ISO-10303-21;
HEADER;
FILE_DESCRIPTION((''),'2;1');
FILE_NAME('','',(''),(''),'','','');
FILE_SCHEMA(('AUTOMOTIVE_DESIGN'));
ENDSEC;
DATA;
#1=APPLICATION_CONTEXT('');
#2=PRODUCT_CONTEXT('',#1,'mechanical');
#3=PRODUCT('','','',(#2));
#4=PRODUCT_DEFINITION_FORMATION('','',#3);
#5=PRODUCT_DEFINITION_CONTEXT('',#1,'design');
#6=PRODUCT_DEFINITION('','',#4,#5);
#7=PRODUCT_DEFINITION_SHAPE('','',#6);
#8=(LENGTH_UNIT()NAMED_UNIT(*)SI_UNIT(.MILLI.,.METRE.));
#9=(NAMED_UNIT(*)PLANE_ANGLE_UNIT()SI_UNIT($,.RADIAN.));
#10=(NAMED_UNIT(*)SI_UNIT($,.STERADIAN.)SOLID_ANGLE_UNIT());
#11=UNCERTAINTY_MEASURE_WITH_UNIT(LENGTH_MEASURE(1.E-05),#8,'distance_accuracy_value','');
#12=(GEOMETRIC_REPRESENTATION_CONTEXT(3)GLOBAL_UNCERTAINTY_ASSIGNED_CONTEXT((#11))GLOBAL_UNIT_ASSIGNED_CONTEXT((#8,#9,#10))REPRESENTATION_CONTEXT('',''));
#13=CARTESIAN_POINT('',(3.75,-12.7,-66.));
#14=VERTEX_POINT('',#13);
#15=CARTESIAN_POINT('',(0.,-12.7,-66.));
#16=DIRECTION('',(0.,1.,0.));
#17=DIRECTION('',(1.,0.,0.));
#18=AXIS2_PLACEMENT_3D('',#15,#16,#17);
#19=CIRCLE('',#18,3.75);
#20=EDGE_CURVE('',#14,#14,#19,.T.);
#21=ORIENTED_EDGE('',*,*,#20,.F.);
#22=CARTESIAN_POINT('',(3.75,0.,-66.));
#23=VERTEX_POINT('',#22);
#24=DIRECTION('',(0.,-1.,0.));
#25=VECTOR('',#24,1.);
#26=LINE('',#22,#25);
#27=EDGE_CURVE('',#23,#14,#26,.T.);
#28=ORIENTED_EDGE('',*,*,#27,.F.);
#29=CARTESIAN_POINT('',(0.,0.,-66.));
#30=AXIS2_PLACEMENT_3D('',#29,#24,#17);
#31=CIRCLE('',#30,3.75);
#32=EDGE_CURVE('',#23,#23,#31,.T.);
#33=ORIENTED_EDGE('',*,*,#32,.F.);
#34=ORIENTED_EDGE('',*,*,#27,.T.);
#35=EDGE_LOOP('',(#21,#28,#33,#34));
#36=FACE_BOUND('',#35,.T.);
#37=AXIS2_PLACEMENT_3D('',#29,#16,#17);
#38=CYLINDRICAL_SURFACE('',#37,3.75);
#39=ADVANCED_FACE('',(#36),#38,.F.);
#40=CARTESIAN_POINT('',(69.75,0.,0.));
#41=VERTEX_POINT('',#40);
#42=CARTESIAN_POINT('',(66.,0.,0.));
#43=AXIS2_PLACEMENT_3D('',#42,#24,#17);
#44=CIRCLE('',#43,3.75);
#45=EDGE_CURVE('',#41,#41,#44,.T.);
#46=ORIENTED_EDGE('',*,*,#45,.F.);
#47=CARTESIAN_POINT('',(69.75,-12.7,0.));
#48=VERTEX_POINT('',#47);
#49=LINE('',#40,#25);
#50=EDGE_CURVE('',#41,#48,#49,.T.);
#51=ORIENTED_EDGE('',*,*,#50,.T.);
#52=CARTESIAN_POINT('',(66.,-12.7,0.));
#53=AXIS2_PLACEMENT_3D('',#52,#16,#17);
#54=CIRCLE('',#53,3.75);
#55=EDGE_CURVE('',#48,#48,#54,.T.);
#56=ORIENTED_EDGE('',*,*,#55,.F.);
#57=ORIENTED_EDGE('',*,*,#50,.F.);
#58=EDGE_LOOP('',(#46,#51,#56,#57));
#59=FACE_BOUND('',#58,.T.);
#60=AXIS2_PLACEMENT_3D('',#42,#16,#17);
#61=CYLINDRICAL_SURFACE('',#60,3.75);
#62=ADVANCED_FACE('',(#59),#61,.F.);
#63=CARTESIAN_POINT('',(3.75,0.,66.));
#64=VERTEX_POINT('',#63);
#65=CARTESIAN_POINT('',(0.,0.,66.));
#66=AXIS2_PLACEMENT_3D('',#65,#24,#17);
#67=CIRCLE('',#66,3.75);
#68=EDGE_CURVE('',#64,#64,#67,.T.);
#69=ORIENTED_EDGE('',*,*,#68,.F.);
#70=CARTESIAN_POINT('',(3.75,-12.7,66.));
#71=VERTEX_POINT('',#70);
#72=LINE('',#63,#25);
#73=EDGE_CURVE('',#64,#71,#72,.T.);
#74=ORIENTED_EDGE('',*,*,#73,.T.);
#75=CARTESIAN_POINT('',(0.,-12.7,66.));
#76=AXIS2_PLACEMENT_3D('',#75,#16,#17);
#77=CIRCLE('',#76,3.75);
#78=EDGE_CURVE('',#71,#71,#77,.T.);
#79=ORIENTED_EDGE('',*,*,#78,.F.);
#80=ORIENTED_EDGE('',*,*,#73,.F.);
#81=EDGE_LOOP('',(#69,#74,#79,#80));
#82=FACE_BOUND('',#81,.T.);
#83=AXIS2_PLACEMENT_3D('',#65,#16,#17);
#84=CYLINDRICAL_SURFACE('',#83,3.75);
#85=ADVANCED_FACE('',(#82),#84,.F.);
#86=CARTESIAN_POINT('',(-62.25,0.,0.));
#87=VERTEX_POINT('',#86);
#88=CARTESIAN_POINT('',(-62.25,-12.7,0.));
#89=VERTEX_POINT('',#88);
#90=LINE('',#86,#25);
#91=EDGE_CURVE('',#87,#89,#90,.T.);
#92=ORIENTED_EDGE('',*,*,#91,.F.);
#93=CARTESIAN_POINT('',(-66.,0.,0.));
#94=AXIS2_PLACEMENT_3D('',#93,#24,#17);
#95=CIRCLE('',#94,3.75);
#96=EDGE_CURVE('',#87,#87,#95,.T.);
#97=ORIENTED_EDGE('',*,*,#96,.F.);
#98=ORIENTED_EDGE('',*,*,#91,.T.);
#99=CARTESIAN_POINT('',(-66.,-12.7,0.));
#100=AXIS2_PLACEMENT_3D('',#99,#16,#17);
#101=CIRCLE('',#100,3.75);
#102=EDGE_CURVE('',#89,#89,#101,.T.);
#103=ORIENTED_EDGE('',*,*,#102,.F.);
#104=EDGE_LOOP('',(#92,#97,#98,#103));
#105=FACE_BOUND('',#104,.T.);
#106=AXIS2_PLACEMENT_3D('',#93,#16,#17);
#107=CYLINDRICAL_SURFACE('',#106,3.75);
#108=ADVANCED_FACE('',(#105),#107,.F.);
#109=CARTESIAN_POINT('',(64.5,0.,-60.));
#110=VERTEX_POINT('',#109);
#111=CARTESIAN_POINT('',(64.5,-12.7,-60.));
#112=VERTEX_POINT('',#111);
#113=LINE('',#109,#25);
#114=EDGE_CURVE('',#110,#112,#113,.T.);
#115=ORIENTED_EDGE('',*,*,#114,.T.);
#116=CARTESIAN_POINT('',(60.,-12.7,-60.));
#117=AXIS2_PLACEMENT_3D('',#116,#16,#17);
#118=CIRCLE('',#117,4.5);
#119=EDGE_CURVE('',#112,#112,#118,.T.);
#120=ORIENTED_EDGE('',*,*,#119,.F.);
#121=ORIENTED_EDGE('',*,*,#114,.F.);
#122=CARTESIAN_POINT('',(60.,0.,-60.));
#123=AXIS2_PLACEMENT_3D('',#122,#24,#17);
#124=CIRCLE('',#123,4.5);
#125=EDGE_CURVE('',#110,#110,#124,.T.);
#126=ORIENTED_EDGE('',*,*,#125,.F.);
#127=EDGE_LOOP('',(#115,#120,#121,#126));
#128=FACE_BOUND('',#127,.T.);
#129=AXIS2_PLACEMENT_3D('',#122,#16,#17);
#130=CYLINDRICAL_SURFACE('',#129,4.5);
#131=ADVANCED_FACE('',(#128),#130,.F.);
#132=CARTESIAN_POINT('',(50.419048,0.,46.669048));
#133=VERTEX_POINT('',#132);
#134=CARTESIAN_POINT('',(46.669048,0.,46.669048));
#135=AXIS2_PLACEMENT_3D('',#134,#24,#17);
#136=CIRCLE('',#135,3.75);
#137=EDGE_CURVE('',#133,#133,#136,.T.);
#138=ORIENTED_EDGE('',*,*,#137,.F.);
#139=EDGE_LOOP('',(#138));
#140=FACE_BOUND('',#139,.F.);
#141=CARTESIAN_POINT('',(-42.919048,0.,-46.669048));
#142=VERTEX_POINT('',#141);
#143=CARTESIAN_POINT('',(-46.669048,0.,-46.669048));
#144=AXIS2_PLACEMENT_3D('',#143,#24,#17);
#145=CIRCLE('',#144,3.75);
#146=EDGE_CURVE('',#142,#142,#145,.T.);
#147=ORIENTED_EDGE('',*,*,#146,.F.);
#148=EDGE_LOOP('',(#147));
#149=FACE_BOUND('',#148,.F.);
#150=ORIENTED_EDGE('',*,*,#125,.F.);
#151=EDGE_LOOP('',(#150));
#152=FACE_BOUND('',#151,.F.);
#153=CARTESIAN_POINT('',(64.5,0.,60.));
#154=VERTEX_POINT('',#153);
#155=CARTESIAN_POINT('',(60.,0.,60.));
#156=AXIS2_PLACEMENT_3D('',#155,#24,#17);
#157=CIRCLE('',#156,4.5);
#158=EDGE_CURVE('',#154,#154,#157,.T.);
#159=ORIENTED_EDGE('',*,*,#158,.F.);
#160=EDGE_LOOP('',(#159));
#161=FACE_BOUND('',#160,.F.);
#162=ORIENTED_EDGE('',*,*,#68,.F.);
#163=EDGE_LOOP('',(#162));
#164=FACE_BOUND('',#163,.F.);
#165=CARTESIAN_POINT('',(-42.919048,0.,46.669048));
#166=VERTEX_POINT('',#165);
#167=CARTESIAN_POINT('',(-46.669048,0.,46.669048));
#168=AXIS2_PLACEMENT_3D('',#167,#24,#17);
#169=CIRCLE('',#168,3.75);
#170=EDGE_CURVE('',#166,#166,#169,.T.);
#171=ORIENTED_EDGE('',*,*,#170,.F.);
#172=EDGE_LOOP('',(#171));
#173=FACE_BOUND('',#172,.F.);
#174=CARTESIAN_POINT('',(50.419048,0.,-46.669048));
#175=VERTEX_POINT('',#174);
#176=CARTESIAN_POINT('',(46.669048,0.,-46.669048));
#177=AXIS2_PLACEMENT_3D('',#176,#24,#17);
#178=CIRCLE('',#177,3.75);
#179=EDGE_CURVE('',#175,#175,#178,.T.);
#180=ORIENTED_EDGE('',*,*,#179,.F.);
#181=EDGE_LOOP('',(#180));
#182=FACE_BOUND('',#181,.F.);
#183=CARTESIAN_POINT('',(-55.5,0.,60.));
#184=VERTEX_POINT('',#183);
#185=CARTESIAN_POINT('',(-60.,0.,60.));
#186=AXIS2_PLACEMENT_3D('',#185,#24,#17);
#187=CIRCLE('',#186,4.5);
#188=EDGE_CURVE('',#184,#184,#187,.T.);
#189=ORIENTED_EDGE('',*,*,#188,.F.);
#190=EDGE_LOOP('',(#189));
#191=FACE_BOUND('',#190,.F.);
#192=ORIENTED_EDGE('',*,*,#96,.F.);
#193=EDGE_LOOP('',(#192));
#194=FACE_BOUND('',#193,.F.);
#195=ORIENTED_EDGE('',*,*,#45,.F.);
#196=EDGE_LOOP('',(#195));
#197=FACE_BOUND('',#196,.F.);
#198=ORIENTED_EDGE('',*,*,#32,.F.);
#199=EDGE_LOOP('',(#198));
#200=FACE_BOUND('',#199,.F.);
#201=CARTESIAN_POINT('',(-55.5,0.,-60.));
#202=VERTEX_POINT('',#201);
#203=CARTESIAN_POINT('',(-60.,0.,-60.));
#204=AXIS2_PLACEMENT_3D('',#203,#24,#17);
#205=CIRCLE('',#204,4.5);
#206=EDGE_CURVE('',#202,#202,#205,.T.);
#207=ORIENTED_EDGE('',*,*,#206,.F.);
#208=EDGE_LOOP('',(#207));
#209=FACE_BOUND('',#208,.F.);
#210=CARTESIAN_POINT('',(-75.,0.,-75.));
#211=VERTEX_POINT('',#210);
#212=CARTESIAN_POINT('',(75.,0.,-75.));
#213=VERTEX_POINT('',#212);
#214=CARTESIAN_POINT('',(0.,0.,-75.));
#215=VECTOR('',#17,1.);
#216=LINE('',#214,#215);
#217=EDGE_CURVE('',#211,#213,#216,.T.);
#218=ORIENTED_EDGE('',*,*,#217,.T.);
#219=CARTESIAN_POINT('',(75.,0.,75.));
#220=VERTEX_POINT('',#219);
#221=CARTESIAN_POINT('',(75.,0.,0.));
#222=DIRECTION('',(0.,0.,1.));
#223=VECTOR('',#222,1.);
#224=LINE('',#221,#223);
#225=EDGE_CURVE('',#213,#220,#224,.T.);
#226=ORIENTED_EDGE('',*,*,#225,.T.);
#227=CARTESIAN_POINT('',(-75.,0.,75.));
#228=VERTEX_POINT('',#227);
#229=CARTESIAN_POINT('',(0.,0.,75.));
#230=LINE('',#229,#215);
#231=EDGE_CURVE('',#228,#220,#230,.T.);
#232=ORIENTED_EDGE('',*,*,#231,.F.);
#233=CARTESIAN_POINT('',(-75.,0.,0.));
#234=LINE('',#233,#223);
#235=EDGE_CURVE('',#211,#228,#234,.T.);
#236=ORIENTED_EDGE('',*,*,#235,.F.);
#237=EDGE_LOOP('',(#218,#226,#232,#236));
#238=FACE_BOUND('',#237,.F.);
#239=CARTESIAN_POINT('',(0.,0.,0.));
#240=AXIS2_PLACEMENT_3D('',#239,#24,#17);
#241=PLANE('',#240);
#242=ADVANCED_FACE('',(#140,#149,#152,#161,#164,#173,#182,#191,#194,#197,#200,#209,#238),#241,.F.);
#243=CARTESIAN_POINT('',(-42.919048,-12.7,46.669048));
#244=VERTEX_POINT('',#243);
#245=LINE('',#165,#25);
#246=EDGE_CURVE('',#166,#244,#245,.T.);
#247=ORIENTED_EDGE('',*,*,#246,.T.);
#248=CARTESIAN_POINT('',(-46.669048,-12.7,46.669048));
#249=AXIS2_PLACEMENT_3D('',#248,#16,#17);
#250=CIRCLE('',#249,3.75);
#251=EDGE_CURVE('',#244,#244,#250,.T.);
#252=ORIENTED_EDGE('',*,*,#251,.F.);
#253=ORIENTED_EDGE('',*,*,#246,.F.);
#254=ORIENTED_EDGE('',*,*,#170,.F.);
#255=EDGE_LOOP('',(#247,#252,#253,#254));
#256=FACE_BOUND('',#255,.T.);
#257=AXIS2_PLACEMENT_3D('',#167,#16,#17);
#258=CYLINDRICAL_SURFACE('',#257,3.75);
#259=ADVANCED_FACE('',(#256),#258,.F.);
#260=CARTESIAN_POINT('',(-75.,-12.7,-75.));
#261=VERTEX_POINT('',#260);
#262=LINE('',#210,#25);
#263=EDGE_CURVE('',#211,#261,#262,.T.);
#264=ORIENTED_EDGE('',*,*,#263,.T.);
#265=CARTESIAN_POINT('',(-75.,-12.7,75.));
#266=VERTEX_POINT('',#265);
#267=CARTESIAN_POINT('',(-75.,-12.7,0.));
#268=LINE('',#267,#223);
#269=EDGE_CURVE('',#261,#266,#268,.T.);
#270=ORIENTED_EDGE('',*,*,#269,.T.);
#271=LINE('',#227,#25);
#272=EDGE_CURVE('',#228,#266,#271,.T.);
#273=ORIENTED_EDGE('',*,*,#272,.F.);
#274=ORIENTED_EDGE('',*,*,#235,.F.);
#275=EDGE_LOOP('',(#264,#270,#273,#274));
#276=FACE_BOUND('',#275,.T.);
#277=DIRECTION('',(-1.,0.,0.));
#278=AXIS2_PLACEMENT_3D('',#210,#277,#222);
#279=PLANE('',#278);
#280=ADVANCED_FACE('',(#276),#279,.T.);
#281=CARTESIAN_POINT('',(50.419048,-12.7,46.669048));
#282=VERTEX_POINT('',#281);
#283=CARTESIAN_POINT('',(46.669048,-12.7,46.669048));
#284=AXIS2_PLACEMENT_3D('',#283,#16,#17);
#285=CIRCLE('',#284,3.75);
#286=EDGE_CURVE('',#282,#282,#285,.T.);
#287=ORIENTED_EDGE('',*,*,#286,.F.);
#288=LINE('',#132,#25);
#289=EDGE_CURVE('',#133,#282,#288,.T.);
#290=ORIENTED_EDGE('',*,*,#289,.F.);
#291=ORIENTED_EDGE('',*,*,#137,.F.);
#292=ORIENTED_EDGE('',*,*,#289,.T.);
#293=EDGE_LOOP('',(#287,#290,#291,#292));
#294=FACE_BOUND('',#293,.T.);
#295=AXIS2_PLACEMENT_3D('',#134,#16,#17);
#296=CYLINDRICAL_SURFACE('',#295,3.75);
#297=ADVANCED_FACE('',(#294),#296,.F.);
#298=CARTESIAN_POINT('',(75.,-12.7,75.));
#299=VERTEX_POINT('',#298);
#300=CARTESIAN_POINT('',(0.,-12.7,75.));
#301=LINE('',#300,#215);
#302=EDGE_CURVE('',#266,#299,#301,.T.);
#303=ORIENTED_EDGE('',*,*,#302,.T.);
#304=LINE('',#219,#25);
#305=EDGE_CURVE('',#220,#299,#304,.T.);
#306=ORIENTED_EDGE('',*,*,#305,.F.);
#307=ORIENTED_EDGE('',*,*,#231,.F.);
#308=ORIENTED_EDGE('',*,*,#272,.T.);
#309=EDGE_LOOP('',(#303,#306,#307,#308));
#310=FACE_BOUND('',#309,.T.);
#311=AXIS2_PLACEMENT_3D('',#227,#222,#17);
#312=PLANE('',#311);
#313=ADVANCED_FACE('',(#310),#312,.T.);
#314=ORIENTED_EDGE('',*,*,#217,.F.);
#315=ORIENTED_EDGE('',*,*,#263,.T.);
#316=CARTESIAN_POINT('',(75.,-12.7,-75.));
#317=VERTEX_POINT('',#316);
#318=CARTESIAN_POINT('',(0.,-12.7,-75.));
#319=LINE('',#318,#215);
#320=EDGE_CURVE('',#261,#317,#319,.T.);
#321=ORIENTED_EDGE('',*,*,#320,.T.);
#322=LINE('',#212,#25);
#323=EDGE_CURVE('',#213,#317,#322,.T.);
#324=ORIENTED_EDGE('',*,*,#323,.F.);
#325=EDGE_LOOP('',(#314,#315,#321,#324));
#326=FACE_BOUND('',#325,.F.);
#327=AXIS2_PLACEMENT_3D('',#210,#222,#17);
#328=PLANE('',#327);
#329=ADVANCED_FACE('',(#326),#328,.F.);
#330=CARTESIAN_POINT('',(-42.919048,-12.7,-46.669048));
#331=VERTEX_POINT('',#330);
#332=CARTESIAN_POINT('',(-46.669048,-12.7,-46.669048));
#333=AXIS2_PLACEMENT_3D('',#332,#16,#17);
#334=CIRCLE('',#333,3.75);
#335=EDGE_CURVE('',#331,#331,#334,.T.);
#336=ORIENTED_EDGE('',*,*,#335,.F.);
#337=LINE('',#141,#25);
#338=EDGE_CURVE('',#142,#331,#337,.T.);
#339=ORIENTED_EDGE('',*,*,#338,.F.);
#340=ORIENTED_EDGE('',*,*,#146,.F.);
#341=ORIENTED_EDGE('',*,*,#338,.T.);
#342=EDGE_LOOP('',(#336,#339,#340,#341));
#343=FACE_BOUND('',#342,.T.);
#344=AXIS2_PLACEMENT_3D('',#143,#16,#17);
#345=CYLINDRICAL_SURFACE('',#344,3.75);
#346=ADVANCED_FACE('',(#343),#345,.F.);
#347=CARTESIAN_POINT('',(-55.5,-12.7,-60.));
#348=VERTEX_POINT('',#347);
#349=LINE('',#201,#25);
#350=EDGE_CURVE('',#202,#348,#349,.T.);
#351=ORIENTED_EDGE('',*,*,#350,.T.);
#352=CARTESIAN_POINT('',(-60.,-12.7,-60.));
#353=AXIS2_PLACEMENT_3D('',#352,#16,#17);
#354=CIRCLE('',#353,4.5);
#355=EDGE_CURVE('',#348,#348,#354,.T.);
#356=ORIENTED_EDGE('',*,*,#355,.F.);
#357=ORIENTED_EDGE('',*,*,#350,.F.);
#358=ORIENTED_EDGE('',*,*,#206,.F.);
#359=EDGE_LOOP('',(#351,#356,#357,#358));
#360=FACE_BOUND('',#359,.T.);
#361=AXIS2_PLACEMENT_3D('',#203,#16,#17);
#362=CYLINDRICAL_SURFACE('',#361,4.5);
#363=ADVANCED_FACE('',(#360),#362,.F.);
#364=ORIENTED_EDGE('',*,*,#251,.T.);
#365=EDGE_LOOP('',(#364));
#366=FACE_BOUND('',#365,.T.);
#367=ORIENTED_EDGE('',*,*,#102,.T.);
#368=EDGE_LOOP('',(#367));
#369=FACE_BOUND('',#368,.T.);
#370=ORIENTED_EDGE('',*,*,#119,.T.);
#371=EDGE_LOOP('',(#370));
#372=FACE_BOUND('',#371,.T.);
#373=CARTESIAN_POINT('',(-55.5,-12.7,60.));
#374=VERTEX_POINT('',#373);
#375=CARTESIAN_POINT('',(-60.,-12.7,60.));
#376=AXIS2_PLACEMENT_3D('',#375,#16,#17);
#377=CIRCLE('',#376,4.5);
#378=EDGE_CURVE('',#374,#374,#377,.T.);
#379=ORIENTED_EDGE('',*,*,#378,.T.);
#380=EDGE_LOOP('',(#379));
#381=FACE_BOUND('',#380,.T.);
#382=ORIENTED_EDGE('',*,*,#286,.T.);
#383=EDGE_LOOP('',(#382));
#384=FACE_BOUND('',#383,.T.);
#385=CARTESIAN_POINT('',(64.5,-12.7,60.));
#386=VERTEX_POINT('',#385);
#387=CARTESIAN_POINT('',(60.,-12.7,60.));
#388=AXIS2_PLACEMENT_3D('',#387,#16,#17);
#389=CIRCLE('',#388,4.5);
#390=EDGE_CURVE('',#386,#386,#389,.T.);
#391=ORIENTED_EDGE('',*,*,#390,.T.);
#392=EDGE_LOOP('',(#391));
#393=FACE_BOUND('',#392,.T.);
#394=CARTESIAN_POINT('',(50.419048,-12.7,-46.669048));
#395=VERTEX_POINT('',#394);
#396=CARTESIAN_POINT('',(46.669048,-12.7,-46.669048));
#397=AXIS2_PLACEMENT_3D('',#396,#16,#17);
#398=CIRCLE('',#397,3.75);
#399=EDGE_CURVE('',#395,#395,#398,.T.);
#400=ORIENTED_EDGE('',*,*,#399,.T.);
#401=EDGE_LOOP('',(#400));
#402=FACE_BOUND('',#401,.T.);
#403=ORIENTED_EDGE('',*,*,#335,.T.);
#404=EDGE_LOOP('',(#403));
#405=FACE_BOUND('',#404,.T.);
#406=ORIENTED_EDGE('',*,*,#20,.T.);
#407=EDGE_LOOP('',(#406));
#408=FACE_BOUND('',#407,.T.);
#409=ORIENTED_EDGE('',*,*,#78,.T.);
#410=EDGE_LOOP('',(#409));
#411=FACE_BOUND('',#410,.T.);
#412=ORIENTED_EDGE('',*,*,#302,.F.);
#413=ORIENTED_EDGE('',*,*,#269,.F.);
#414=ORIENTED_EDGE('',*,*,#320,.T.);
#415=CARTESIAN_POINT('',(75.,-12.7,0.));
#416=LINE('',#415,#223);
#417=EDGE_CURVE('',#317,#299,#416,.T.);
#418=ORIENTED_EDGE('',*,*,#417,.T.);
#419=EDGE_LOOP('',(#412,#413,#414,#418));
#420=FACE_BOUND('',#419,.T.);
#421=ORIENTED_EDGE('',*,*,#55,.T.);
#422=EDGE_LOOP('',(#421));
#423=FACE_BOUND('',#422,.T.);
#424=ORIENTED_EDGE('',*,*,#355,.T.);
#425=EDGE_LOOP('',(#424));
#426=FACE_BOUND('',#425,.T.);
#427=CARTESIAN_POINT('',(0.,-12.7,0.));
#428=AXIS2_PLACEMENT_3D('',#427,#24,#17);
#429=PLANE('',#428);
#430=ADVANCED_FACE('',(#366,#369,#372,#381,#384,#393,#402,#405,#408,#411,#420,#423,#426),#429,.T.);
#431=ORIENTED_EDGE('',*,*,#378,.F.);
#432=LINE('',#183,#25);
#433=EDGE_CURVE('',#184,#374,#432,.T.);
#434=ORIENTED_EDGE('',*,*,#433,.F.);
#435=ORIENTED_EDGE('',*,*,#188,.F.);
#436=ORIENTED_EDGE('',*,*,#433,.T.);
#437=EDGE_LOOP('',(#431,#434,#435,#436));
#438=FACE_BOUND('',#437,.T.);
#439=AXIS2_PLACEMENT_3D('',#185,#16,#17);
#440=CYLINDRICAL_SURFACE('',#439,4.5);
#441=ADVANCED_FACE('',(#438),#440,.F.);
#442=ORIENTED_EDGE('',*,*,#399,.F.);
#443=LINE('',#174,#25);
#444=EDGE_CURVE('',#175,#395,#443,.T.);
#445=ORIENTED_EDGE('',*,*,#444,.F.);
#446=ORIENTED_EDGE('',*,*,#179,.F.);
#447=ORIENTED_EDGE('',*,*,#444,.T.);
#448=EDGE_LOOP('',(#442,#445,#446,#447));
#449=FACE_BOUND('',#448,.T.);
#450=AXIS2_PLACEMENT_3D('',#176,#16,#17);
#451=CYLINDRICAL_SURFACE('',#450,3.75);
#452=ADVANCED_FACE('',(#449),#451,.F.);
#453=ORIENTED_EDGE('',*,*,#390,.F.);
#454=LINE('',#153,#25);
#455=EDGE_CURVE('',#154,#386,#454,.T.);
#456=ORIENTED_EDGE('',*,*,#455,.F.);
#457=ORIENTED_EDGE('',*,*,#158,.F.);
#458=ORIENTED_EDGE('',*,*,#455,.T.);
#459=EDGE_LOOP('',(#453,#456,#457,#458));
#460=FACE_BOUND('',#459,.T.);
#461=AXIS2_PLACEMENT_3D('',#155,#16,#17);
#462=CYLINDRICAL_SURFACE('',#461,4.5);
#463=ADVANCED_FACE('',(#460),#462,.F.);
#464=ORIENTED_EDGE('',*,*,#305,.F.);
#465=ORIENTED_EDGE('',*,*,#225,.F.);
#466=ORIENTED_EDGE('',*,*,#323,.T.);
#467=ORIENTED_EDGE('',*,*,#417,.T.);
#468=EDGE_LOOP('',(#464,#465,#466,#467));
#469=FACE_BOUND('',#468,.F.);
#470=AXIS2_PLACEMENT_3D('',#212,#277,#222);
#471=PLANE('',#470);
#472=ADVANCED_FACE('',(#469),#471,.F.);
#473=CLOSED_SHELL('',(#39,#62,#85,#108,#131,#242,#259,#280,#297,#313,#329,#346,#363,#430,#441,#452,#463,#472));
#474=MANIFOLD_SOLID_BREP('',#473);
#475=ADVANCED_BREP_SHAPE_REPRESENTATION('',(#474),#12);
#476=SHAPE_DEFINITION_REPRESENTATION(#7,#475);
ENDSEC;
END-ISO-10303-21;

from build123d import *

# Parameters (mm, degrees)
F0_W     = 150
F0_H     = 150
F1_DEPTH = 12.7
F2_R     = 4.5
F2_R_2   = 3.75
F3_DEPTH = 12.701


with BuildPart() as f1:
    # F0 (on Front) → F1 (new body)
    with BuildSketch(Plane.XZ):
        Rectangle(F0_W, F0_H)
    extrude(amount=F1_DEPTH)

    # F2 (on Front) → F3 (cut, through all)
    with BuildSketch(Plane.XZ):
        with Locations((-60, 60)):
            Circle(F2_R)
        with Locations((60, 60)):
            Circle(F2_R)
        with Locations((-60, -60)):
            Circle(F2_R)
        with Locations((60, -60)):
            Circle(F2_R)
        with Locations((0, 66)):
            Circle(F2_R_2)
        with Locations((-46.669048, 46.669048)):
            Circle(F2_R_2)
        with Locations((-66, 0)):
            Circle(F2_R_2)
        with Locations((-46.669048, -46.669048)):
            Circle(F2_R_2)
        with Locations((0, -66)):
            Circle(F2_R_2)
        with Locations((46.669048, -46.669048)):
            Circle(F2_R_2)
        with Locations((66, 0)):
            Circle(F2_R_2)
        with Locations((46.669048, 46.669048)):
            Circle(F2_R_2)
    extrude(amount=F3_DEPTH, mode=Mode.SUBTRACT)


solid = f1.part
